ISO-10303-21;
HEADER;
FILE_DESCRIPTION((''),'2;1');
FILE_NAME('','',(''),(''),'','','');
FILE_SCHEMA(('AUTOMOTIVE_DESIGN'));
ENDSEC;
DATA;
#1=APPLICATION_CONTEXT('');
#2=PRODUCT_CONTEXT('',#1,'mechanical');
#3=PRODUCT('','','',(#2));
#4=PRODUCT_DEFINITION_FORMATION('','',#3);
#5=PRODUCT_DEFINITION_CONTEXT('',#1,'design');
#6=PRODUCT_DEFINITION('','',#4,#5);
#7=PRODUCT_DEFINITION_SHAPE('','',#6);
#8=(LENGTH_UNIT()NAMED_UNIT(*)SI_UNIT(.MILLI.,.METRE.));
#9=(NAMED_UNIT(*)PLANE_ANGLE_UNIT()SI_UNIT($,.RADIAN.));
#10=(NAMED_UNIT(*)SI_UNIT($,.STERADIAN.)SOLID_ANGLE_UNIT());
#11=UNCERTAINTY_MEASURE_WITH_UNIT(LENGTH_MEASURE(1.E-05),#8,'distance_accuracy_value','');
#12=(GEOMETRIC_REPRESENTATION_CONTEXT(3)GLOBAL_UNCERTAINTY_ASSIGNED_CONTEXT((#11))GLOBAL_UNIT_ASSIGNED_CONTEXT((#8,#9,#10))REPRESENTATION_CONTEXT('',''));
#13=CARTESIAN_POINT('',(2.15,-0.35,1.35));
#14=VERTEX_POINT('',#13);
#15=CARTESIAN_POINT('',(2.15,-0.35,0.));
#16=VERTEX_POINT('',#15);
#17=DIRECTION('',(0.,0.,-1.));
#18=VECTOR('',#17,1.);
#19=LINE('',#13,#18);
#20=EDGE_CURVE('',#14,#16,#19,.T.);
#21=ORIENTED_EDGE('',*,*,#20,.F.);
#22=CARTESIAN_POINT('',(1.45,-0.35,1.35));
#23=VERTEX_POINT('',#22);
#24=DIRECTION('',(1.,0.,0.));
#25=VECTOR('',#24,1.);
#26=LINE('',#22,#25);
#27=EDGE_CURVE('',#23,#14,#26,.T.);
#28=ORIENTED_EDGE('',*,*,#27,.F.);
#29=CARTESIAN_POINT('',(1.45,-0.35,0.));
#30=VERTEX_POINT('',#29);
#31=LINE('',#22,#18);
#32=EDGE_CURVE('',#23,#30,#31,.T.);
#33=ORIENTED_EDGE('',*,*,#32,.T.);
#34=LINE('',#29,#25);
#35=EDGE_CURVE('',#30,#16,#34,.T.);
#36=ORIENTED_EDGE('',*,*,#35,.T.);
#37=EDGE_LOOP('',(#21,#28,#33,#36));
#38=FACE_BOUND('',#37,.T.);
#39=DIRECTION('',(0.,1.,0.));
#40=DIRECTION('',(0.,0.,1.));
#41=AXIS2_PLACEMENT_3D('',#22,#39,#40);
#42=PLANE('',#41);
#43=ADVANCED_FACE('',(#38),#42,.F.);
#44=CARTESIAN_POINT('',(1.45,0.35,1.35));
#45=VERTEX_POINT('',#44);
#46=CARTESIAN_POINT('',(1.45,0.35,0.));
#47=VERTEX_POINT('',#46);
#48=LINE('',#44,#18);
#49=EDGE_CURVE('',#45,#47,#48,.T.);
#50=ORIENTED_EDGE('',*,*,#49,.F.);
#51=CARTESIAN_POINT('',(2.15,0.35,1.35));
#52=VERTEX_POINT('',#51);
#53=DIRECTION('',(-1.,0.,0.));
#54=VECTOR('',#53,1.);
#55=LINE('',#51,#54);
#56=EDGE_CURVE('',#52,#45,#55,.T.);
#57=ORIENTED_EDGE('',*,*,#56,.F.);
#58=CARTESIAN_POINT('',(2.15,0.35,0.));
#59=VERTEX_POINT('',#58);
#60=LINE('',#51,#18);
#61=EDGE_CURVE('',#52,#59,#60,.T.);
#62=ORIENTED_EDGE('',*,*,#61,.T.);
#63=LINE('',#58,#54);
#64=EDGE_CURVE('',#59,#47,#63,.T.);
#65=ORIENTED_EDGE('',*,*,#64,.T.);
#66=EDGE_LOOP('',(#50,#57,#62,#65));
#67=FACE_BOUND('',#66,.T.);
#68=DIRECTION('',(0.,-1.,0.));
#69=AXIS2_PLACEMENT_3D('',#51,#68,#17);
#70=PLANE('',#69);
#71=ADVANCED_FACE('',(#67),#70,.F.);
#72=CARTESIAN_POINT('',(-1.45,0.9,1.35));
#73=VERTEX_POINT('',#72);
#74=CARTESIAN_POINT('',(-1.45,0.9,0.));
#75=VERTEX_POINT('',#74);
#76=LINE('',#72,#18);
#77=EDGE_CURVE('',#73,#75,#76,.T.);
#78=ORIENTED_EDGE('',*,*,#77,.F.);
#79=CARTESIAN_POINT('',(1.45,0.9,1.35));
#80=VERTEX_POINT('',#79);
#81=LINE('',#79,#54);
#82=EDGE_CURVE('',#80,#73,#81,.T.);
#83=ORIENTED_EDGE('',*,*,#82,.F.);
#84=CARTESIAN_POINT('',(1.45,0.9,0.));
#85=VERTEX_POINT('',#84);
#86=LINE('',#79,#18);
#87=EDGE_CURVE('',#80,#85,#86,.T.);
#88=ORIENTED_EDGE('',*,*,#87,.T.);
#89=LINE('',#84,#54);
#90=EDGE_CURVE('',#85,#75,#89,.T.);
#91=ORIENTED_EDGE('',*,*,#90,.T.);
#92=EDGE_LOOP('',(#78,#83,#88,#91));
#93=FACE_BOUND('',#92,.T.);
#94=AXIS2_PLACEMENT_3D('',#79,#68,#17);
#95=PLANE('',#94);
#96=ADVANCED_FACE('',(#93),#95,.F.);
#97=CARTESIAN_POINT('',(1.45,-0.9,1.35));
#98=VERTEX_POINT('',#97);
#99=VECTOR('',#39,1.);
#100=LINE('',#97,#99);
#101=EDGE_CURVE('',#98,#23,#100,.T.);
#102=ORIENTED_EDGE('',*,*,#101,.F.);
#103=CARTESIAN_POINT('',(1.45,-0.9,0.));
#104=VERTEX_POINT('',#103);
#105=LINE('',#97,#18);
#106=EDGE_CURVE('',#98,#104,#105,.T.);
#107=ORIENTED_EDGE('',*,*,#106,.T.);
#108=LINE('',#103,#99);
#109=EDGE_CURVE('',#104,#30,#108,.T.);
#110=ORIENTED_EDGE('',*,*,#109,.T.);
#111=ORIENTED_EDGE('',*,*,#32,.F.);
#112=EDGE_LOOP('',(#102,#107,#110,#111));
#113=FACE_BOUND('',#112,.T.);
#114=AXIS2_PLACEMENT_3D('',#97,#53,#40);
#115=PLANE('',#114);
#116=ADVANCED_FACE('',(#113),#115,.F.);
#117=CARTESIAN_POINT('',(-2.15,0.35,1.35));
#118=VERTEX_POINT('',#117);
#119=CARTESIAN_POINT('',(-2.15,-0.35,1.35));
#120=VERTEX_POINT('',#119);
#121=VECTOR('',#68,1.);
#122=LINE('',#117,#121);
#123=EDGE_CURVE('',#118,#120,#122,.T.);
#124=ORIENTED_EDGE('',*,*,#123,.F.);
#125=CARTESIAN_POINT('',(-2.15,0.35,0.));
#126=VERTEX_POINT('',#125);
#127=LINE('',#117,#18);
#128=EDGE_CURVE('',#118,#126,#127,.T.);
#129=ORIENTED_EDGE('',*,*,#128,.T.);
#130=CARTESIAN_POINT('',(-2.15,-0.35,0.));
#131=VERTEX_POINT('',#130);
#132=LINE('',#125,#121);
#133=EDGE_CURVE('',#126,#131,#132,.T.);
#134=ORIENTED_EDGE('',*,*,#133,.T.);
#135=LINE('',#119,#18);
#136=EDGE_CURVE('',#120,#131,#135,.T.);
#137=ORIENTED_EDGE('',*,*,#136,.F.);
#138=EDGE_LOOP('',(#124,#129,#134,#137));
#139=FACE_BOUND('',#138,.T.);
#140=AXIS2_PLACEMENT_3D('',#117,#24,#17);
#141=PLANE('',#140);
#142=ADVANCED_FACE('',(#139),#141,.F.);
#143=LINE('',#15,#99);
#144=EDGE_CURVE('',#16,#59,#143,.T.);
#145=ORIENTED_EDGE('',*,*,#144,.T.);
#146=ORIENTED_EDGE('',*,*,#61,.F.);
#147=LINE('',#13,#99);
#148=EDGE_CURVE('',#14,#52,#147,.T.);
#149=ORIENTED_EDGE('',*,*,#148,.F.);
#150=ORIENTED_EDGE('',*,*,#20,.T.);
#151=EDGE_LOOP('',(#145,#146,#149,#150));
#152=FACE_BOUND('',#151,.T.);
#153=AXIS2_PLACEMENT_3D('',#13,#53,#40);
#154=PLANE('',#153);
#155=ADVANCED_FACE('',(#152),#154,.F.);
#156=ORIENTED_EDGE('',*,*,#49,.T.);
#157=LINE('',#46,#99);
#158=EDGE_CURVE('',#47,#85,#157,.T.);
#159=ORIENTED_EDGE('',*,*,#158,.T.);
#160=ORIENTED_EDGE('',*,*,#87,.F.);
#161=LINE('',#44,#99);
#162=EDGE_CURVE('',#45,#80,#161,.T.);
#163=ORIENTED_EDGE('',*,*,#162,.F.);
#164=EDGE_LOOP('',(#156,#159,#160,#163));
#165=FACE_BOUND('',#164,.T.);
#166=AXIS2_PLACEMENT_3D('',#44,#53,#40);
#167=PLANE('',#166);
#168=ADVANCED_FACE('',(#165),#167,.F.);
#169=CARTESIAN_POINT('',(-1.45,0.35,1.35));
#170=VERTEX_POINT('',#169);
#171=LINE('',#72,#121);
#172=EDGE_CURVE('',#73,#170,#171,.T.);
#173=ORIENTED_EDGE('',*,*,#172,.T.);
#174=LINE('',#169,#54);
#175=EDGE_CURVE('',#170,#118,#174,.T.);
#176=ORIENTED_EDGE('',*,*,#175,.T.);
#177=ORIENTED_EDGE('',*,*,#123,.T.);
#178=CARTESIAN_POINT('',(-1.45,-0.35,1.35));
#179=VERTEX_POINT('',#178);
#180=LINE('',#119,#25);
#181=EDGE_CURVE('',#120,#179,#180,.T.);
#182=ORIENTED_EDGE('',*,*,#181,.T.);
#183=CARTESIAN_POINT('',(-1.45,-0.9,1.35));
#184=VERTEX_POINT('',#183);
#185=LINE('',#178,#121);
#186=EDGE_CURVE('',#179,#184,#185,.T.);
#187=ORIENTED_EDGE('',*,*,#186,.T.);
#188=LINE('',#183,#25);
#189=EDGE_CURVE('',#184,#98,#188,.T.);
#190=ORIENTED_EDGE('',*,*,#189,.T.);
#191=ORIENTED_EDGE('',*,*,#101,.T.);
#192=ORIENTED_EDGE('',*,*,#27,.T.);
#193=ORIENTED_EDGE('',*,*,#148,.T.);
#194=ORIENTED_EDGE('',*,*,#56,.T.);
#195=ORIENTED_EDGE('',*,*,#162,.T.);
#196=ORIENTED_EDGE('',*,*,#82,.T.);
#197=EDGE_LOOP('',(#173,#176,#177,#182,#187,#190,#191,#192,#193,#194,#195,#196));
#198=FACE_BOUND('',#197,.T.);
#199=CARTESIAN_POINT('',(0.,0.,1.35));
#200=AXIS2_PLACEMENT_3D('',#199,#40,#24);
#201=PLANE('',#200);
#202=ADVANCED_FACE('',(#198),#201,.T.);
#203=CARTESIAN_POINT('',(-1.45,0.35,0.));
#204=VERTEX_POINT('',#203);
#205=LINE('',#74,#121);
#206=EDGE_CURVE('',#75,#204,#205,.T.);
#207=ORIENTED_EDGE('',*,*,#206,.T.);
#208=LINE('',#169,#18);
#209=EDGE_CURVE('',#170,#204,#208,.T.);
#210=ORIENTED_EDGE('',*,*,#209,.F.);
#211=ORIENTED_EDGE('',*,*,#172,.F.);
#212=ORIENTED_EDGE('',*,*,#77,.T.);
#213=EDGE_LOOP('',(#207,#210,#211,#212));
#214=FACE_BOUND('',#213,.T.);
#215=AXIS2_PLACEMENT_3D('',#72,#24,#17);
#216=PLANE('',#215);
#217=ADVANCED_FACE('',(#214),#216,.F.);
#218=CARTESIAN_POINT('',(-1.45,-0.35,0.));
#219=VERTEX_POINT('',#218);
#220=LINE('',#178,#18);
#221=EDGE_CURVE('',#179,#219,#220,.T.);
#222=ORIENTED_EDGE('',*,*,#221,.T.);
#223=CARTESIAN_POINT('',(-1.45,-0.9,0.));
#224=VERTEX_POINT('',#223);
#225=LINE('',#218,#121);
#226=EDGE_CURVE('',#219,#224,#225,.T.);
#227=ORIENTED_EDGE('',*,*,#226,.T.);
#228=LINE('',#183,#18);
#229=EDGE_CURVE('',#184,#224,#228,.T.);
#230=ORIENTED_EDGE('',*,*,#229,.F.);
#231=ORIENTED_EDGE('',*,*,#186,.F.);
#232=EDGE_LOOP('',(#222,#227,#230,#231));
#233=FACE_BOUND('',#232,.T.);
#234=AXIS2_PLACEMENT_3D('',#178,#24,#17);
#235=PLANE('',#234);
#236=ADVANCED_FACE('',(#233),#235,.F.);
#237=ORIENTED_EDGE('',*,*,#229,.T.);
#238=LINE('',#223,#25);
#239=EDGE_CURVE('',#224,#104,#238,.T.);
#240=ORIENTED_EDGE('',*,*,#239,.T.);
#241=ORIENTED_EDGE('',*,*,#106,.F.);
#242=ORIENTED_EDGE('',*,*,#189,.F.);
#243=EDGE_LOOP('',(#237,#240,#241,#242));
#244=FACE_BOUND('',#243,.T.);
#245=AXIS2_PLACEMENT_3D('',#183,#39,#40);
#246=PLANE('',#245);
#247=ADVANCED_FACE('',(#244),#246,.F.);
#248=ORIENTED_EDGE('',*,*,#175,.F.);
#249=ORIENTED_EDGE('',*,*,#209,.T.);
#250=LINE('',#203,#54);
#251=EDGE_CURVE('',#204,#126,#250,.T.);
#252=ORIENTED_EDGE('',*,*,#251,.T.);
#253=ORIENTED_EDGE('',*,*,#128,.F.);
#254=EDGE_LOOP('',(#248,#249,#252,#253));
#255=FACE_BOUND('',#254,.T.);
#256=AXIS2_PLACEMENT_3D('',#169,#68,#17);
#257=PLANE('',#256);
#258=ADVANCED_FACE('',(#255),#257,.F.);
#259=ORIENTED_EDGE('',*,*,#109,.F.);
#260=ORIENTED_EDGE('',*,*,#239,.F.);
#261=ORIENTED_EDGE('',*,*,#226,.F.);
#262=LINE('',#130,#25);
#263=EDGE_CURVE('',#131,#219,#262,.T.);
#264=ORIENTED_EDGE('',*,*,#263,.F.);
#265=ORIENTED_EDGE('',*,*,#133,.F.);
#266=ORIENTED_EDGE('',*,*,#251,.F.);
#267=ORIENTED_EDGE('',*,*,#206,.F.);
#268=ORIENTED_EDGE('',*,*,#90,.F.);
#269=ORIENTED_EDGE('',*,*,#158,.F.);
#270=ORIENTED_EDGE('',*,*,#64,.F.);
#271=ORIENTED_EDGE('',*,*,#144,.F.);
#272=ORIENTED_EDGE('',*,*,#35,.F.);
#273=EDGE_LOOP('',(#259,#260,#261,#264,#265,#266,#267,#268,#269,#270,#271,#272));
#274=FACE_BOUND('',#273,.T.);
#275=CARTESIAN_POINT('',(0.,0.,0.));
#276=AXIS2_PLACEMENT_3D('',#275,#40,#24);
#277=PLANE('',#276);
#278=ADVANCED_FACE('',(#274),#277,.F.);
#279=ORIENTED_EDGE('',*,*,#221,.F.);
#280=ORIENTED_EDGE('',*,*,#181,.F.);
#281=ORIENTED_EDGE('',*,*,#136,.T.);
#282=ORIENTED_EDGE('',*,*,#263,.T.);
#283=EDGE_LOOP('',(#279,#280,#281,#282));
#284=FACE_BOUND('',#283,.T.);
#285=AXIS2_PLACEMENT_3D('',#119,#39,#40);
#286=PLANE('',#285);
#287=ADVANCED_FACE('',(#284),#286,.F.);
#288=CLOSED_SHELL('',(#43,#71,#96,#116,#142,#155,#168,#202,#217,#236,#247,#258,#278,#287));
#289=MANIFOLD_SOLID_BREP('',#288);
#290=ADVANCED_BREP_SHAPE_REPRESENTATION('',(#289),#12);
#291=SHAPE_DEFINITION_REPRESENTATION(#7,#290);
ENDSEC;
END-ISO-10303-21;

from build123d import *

# Parameters (mm, degrees)
COMPONENT_OUTLINE_DEPTH = 1.35


with BuildPart() as part:
    # 草图1 → Component_Outline (new body)
    with BuildSketch(Plane.XY):
        Polygon((2.15, 0.35), (1.45, 0.35), (1.45, 0.9), (-1.45, 0.9), (-1.45, 0.35), (-2.15, 0.35), (-2.15, -0.35), (-1.45, -0.35), (-1.45, -0.9), (1.45, -0.9), (1.45, -0.35), (2.15, -0.35), align=None)
    extrude(amount=COMPONENT_OUTLINE_DEPTH)


solid = part.part
